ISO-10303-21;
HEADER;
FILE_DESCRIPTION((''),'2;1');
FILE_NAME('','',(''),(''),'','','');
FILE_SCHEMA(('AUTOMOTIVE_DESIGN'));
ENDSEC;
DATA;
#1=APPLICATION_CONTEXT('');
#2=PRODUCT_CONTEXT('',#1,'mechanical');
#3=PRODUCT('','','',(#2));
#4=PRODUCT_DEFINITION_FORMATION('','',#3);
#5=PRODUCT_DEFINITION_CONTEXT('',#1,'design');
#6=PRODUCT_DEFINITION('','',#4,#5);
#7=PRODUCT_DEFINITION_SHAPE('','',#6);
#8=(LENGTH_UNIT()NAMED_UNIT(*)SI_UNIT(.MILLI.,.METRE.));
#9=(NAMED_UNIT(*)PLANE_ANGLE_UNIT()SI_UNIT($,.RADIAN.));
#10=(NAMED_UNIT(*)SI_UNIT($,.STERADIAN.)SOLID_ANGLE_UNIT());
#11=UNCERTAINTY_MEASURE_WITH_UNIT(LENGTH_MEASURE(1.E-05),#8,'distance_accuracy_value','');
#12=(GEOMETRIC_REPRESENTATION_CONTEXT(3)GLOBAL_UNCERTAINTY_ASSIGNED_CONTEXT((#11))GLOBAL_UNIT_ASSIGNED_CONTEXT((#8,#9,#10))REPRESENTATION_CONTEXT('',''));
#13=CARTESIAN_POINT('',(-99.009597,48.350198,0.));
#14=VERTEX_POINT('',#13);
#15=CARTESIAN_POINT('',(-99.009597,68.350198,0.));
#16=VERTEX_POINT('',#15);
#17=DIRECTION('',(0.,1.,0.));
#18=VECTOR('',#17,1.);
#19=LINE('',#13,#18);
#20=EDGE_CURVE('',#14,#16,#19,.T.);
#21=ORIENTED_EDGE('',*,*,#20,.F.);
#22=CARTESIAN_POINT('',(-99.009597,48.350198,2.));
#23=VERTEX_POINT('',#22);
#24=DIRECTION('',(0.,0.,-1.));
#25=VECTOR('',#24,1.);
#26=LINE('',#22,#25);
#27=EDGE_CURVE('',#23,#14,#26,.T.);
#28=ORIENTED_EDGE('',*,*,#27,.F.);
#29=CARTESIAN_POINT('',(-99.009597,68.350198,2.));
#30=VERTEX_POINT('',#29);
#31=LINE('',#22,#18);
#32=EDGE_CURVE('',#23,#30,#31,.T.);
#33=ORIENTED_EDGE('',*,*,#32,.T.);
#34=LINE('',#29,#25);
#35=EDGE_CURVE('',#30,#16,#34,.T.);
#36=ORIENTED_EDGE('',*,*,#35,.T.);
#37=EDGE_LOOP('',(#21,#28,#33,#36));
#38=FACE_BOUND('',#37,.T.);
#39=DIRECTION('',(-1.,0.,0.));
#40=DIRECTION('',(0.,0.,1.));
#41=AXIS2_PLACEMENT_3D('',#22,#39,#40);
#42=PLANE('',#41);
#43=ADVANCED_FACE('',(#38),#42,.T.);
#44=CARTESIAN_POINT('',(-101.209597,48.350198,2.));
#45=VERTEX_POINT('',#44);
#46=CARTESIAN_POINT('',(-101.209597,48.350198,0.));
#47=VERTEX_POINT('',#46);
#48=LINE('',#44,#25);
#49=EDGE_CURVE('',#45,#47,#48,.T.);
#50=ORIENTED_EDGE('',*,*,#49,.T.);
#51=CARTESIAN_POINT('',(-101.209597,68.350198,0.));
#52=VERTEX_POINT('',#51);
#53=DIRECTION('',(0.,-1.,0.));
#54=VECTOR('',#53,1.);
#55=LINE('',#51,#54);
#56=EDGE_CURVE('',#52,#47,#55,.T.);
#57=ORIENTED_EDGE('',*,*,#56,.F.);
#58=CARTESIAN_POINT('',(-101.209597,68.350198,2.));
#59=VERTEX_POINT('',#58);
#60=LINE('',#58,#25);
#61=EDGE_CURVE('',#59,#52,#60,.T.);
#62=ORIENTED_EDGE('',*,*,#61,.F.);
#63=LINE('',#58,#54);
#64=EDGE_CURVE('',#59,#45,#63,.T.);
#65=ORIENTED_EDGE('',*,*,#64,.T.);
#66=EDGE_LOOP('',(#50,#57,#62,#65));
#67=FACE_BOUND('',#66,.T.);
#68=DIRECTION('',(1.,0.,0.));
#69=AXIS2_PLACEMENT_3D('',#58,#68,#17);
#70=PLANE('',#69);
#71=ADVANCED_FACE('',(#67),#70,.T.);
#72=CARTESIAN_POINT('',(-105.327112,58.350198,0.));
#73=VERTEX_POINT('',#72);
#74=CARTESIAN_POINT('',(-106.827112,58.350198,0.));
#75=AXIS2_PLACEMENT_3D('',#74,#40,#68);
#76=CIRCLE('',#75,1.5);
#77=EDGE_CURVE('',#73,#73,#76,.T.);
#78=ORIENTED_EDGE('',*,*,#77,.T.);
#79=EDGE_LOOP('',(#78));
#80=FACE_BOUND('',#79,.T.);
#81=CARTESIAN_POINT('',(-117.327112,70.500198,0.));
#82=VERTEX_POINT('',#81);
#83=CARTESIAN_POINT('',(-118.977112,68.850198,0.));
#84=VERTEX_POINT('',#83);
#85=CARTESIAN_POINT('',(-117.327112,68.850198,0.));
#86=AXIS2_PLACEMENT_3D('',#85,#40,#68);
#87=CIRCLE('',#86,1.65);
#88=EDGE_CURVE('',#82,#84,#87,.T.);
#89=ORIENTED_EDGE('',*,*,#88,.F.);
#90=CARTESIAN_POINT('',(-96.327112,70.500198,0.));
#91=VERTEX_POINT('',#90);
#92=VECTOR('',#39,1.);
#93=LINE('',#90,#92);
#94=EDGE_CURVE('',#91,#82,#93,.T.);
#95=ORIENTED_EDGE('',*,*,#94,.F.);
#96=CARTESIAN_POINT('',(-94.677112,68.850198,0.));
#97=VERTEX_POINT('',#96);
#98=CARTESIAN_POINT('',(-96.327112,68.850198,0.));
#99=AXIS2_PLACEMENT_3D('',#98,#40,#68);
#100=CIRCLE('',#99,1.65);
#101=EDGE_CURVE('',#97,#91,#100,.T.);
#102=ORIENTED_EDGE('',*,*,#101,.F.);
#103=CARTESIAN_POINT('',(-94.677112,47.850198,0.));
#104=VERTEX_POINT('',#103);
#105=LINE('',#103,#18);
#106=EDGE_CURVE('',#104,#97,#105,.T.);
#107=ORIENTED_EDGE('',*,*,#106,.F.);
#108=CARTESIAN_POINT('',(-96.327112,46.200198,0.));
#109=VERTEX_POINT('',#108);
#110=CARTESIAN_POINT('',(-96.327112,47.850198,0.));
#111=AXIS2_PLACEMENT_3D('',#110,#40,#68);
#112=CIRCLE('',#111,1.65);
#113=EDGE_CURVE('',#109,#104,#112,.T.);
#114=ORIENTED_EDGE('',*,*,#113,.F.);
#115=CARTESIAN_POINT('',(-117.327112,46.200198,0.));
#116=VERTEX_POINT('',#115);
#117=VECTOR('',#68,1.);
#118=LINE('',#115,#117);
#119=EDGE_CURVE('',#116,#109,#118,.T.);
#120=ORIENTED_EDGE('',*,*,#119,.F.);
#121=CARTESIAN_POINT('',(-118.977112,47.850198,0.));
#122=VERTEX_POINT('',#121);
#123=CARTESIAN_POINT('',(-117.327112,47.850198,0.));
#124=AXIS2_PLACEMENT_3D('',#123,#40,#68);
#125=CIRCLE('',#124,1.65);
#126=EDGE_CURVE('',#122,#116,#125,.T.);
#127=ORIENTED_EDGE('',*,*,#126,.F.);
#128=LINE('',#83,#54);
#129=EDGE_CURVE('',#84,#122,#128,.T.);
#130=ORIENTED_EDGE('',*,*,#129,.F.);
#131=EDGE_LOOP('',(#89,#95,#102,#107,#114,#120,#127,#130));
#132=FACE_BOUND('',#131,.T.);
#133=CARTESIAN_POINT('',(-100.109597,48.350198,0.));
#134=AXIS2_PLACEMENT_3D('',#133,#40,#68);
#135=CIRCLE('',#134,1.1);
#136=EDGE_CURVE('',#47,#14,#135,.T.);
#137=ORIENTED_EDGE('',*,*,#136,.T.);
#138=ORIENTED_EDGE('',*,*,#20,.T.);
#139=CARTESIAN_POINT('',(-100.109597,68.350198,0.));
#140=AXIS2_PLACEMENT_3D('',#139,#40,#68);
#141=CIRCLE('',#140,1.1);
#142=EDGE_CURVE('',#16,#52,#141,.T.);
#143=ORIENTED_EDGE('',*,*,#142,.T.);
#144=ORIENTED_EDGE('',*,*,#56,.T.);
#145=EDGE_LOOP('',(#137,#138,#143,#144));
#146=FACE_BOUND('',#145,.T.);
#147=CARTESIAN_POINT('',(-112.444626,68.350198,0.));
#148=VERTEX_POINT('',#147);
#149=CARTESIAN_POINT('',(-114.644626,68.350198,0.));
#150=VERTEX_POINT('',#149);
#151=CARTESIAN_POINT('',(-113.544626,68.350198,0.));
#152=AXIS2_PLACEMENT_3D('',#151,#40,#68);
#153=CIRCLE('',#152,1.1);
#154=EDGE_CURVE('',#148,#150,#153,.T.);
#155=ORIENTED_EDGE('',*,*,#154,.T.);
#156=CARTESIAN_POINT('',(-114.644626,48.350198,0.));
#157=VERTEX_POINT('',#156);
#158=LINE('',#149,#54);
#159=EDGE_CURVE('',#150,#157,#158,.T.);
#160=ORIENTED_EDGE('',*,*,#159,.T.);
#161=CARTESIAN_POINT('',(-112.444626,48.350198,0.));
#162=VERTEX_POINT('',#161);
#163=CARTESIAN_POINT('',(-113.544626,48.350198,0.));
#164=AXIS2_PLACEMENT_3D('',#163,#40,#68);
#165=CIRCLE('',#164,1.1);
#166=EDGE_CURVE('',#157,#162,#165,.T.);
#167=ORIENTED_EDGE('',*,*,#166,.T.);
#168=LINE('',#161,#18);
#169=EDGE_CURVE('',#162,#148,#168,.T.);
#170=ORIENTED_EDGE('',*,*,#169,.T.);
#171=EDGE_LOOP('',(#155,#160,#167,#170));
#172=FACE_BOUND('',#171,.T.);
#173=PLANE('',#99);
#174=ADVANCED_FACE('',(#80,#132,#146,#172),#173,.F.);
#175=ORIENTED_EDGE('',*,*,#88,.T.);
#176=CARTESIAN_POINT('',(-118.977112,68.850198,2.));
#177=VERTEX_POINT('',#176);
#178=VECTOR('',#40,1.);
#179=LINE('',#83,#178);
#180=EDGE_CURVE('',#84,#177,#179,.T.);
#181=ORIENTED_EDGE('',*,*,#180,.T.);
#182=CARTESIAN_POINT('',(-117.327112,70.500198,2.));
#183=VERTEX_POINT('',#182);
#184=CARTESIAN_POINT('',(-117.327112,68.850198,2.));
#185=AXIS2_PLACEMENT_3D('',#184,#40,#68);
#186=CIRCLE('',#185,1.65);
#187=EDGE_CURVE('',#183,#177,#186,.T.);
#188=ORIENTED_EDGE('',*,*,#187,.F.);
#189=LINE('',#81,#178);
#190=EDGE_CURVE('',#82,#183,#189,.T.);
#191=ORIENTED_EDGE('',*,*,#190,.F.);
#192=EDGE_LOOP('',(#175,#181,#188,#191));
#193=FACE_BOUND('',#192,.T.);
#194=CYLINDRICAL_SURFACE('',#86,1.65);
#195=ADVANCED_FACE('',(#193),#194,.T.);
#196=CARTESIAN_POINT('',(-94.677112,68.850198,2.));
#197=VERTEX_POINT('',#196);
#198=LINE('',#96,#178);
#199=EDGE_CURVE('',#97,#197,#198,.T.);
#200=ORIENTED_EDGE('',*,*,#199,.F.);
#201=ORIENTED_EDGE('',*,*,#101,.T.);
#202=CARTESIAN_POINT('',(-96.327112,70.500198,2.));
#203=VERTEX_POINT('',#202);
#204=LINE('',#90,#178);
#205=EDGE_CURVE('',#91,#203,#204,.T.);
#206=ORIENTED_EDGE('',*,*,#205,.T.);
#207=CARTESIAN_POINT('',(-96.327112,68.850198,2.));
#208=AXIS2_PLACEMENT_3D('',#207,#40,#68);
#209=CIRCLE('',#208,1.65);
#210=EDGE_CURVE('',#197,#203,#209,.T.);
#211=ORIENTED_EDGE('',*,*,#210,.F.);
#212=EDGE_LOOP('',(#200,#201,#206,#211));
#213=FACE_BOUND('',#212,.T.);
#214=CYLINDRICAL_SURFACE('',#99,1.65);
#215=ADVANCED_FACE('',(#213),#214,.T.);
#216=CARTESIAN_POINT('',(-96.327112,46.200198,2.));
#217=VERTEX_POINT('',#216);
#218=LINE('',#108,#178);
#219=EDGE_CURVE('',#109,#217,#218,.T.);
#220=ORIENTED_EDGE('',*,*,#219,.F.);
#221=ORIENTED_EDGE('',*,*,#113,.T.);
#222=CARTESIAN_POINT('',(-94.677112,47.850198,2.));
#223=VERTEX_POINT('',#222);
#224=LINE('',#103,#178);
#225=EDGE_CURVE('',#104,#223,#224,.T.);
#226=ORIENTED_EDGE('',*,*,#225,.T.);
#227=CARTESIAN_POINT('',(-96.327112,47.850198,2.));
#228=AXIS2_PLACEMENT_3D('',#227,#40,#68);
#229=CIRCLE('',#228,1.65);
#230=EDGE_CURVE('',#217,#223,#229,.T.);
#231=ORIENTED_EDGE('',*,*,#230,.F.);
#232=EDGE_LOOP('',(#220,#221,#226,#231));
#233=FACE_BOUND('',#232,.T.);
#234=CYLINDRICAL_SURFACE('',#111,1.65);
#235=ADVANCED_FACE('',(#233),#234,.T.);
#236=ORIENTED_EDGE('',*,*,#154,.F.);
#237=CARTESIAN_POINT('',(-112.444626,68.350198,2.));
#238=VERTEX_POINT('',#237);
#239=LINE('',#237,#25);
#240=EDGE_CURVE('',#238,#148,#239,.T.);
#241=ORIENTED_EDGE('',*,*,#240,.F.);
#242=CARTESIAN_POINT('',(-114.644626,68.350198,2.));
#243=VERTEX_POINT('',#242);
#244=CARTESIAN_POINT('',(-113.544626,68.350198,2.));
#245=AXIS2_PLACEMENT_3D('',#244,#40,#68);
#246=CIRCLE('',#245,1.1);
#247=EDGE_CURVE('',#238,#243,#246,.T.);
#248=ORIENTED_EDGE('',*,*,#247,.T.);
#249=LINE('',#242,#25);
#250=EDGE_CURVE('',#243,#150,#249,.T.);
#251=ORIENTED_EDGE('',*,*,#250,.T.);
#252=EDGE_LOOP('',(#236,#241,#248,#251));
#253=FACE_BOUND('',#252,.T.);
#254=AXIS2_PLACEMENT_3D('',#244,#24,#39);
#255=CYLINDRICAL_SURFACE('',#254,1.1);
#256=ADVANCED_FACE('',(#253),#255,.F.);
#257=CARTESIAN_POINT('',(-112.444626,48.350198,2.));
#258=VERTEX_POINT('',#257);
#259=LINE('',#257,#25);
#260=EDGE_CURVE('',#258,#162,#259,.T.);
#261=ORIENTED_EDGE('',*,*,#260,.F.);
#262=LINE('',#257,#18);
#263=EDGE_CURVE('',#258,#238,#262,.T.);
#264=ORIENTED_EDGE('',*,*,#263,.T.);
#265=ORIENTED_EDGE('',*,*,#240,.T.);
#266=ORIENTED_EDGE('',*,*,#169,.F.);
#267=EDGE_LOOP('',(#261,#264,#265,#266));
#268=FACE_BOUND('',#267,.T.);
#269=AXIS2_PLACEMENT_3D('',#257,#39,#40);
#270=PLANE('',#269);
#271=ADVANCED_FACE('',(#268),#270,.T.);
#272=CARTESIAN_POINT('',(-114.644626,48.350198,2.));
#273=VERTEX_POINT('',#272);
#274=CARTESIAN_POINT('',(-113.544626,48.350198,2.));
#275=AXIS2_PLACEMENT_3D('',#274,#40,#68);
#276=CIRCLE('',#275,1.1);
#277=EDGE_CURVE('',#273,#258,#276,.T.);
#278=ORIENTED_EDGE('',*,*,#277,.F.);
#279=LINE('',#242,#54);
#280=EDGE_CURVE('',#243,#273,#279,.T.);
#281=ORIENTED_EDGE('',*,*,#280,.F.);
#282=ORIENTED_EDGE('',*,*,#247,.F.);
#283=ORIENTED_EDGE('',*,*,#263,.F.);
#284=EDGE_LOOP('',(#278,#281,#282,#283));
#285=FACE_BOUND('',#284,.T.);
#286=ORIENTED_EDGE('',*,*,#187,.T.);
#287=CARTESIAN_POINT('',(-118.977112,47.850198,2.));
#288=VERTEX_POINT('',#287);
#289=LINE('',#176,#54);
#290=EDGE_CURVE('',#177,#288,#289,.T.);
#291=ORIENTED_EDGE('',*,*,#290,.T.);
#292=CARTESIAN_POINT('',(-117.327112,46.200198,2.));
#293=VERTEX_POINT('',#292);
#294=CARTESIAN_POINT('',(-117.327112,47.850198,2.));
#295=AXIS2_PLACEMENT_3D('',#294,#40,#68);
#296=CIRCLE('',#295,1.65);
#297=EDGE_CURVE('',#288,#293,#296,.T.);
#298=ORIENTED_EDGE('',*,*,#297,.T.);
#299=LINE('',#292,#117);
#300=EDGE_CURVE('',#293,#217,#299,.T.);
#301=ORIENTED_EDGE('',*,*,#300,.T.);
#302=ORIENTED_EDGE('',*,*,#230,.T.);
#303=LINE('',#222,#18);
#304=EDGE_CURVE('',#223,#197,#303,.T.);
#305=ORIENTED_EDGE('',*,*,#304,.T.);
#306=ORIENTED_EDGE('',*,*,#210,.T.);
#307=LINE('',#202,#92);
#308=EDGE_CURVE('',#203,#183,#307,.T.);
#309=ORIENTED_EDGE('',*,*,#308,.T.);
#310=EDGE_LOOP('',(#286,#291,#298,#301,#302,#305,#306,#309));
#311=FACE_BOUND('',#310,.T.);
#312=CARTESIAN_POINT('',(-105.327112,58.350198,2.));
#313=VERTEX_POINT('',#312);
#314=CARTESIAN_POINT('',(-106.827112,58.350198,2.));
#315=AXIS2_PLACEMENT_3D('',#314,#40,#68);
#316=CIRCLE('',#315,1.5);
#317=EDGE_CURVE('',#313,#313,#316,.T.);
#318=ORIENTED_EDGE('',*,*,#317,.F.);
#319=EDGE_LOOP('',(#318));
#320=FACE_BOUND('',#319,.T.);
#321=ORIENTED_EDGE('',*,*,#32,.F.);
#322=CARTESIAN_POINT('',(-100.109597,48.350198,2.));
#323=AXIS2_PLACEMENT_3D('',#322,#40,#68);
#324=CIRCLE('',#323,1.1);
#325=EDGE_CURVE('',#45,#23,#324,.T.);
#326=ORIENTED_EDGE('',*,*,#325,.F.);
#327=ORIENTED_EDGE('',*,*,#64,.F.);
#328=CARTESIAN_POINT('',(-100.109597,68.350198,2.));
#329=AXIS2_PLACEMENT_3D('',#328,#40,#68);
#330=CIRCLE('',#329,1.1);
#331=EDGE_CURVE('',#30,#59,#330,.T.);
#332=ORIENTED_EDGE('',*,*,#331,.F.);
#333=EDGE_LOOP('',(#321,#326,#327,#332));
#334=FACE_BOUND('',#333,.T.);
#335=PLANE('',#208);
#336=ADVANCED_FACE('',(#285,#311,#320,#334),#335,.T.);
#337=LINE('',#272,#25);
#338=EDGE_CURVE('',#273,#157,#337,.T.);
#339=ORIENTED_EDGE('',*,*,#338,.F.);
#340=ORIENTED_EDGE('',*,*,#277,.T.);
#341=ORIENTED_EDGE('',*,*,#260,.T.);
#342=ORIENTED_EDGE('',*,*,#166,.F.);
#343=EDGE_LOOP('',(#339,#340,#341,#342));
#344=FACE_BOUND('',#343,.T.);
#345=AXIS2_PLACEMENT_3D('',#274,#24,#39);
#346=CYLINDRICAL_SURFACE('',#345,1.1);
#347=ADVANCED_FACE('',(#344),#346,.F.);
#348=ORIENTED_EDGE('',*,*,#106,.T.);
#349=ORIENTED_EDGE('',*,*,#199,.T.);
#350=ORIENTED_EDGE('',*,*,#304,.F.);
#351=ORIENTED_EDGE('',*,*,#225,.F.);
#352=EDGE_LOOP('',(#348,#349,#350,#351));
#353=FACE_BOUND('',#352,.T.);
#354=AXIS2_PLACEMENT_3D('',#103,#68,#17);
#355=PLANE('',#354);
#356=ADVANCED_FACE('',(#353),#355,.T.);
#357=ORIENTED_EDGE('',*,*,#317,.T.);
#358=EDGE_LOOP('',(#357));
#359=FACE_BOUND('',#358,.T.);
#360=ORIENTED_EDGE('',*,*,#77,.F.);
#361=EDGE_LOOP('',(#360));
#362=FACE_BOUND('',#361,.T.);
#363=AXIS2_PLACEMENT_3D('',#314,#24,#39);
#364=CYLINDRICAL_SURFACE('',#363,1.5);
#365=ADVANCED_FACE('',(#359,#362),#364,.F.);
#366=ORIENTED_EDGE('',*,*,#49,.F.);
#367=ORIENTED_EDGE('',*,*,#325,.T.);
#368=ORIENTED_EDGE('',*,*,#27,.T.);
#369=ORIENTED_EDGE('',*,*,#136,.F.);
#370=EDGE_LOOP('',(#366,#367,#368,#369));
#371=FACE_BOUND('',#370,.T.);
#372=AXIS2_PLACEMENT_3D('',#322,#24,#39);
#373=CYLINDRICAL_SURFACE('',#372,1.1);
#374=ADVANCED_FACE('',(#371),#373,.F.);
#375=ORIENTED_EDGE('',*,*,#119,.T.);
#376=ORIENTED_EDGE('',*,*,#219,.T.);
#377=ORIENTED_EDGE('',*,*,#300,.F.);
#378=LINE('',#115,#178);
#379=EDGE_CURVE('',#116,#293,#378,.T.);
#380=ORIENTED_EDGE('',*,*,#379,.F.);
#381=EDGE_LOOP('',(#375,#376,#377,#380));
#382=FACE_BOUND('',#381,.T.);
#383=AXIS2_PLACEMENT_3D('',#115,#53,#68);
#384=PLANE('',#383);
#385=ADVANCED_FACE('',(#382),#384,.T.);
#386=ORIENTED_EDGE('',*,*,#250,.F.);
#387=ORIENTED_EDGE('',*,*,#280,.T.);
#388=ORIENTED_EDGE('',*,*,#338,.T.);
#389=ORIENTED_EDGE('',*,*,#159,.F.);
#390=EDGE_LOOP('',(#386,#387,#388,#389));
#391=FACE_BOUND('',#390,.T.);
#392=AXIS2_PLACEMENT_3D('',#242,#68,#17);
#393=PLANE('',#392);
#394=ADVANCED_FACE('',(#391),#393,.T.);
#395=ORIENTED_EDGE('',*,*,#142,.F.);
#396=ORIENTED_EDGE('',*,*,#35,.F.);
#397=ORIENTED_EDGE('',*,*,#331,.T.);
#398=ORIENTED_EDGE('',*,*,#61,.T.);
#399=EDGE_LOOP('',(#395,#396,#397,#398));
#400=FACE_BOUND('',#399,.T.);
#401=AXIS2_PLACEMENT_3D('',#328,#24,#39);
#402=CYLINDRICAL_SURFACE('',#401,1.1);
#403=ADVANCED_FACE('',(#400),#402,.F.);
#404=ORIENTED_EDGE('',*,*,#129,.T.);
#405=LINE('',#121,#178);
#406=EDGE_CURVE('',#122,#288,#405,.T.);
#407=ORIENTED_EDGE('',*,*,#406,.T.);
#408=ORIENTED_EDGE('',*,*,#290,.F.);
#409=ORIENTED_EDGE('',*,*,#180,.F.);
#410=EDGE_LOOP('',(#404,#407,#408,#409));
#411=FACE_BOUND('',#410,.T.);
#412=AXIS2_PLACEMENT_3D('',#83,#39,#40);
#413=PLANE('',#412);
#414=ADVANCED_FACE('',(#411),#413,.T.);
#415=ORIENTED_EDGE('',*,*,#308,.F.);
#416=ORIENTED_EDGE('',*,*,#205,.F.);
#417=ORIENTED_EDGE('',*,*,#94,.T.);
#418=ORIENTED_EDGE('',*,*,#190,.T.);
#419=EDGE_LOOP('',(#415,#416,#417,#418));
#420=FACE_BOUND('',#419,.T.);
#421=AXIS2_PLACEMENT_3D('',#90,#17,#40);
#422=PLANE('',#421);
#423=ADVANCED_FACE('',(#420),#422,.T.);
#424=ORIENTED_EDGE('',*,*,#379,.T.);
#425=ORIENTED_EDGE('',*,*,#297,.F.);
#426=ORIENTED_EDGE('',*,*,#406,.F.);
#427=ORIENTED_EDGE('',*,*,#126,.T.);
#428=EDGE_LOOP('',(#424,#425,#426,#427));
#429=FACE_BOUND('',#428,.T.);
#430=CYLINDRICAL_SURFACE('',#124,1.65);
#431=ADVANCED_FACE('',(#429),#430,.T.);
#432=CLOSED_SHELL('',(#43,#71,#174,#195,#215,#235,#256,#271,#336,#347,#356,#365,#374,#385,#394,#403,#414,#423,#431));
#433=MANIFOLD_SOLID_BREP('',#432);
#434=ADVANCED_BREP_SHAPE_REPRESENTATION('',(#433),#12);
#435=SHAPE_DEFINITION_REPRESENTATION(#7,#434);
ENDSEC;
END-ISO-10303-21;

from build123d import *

# Parameters (mm, degrees)
CROQUIS1_R              = 1.5
SALIENTE_EXTRUIR1_DEPTH = 2
CORTAR_EXTRUIR1_START   = -2
CORTAR_EXTRUIR1_DEPTH   = 2


with BuildPart() as part:
    # Croquis1 → Saliente-Extruir1 (new body)
    with BuildSketch(Plane.XY):
        with BuildLine():
            Line((-117.327111855, 45.850197678), (-96.327111855, 45.850197678))
            ThreePointArc((-96.327111855, 45.850197678), (-94.912898293, 46.435984115), (-94.327111855, 47.850197678))
            Line((-94.327111855, 47.850197678), (-94.327111855, 68.850197678))
            ThreePointArc((-94.327111855, 68.850197678), (-94.912898293, 70.26441124), (-96.327111855, 70.850197678))
            Line((-96.327111855, 70.850197678), (-117.327111855, 70.850197678))
            ThreePointArc((-117.327111855, 70.850197678), (-118.741325417, 70.26441124), (-119.327111855, 68.850197678))
            Line((-119.327111855, 68.850197678), (-119.327111855, 47.850197678))
            ThreePointArc((-119.327111855, 47.850197678), (-118.741325417, 46.435984115), (-117.327111855, 45.850197678))
        make_face()
        with Locations((-106.827111855, 58.350197678)):
            Circle(CROQUIS1_R, mode=Mode.SUBTRACT)
        with BuildLine():
            Line((-114.644626276, 68.350197678), (-114.644626276, 48.350197678))
            ThreePointArc((-114.644626276, 48.350197678), (-113.544626276, 47.250197678), (-112.444626276, 48.350197678))
            Line((-112.444626276, 48.350197678), (-112.444626276, 68.350197678))
            ThreePointArc((-112.444626276, 68.350197678), (-113.544626276, 69.450197678), (-114.644626276, 68.350197678))
        make_face(mode=Mode.SUBTRACT)
        with BuildLine():
            Line((-99.009597434, 48.350197678), (-99.009597434, 68.350197678))
            ThreePointArc((-99.009597434, 68.350197678), (-100.109597434, 69.450197678), (-101.209597434, 68.350197678))
            Line((-101.209597434, 68.350197678), (-101.209597434, 48.350197678))
            ThreePointArc((-101.209597434, 48.350197678), (-100.109597434, 47.250197678), (-99.009597434, 48.350197678))
        make_face(mode=Mode.SUBTRACT)
    extrude(amount=SALIENTE_EXTRUIR1_DEPTH)

    # Croquis2 → Cortar-Extruir1 (cut)
    with BuildSketch(Plane.XY.offset(2).offset(CORTAR_EXTRUIR1_START)):
        with BuildLine():
            Line((-96.327111855, 70.850197678), (-117.327111855, 70.850197678))
            ThreePointArc((-117.327111855, 70.850197678), (-118.741325417, 70.26441124), (-119.327111855, 68.850197678))
            Line((-119.327111855, 68.850197678), (-119.327111855, 47.850197678))
            ThreePointArc((-119.327111855, 47.850197678), (-118.741325417, 46.435984115), (-117.327111855, 45.850197678))
            Line((-117.327111855, 45.850197678), (-96.327111855, 45.850197678))
            ThreePointArc((-96.327111855, 45.850197678), (-94.912898293, 46.435984115), (-94.327111855, 47.850197678))
            Line((-94.327111855, 47.850197678), (-94.327111855, 68.850197678))
            ThreePointArc((-94.327111855, 68.850197678), (-94.912898293, 70.26441124), (-96.327111855, 70.850197678))
        make_face()
        with BuildLine():
            Line((-96.327111855, 70.500197678), (-117.327111855, 70.500197678))
            ThreePointArc((-117.327111855, 70.500197678), (-118.493838044, 70.016923867), (-118.977111855, 68.850197678))
            Line((-118.977111855, 68.850197678), (-118.977111855, 47.850197678))
            ThreePointArc((-118.977111855, 47.850197678), (-118.493838044, 46.683471489), (-117.327111855, 46.200197678))
            Line((-117.327111855, 46.200197678), (-96.327111855, 46.200197678))
            ThreePointArc((-96.327111855, 46.200197678), (-95.160385666, 46.683471489), (-94.677111855, 47.850197678))
            Line((-94.677111855, 47.850197678), (-94.677111855, 68.850197678))
            ThreePointArc((-94.677111855, 68.850197678), (-95.160385666, 70.016923867), (-96.327111855, 70.500197678))
        make_face(mode=Mode.SUBTRACT)
    extrude(amount=CORTAR_EXTRUIR1_DEPTH, mode=Mode.SUBTRACT)


solid = part.part
